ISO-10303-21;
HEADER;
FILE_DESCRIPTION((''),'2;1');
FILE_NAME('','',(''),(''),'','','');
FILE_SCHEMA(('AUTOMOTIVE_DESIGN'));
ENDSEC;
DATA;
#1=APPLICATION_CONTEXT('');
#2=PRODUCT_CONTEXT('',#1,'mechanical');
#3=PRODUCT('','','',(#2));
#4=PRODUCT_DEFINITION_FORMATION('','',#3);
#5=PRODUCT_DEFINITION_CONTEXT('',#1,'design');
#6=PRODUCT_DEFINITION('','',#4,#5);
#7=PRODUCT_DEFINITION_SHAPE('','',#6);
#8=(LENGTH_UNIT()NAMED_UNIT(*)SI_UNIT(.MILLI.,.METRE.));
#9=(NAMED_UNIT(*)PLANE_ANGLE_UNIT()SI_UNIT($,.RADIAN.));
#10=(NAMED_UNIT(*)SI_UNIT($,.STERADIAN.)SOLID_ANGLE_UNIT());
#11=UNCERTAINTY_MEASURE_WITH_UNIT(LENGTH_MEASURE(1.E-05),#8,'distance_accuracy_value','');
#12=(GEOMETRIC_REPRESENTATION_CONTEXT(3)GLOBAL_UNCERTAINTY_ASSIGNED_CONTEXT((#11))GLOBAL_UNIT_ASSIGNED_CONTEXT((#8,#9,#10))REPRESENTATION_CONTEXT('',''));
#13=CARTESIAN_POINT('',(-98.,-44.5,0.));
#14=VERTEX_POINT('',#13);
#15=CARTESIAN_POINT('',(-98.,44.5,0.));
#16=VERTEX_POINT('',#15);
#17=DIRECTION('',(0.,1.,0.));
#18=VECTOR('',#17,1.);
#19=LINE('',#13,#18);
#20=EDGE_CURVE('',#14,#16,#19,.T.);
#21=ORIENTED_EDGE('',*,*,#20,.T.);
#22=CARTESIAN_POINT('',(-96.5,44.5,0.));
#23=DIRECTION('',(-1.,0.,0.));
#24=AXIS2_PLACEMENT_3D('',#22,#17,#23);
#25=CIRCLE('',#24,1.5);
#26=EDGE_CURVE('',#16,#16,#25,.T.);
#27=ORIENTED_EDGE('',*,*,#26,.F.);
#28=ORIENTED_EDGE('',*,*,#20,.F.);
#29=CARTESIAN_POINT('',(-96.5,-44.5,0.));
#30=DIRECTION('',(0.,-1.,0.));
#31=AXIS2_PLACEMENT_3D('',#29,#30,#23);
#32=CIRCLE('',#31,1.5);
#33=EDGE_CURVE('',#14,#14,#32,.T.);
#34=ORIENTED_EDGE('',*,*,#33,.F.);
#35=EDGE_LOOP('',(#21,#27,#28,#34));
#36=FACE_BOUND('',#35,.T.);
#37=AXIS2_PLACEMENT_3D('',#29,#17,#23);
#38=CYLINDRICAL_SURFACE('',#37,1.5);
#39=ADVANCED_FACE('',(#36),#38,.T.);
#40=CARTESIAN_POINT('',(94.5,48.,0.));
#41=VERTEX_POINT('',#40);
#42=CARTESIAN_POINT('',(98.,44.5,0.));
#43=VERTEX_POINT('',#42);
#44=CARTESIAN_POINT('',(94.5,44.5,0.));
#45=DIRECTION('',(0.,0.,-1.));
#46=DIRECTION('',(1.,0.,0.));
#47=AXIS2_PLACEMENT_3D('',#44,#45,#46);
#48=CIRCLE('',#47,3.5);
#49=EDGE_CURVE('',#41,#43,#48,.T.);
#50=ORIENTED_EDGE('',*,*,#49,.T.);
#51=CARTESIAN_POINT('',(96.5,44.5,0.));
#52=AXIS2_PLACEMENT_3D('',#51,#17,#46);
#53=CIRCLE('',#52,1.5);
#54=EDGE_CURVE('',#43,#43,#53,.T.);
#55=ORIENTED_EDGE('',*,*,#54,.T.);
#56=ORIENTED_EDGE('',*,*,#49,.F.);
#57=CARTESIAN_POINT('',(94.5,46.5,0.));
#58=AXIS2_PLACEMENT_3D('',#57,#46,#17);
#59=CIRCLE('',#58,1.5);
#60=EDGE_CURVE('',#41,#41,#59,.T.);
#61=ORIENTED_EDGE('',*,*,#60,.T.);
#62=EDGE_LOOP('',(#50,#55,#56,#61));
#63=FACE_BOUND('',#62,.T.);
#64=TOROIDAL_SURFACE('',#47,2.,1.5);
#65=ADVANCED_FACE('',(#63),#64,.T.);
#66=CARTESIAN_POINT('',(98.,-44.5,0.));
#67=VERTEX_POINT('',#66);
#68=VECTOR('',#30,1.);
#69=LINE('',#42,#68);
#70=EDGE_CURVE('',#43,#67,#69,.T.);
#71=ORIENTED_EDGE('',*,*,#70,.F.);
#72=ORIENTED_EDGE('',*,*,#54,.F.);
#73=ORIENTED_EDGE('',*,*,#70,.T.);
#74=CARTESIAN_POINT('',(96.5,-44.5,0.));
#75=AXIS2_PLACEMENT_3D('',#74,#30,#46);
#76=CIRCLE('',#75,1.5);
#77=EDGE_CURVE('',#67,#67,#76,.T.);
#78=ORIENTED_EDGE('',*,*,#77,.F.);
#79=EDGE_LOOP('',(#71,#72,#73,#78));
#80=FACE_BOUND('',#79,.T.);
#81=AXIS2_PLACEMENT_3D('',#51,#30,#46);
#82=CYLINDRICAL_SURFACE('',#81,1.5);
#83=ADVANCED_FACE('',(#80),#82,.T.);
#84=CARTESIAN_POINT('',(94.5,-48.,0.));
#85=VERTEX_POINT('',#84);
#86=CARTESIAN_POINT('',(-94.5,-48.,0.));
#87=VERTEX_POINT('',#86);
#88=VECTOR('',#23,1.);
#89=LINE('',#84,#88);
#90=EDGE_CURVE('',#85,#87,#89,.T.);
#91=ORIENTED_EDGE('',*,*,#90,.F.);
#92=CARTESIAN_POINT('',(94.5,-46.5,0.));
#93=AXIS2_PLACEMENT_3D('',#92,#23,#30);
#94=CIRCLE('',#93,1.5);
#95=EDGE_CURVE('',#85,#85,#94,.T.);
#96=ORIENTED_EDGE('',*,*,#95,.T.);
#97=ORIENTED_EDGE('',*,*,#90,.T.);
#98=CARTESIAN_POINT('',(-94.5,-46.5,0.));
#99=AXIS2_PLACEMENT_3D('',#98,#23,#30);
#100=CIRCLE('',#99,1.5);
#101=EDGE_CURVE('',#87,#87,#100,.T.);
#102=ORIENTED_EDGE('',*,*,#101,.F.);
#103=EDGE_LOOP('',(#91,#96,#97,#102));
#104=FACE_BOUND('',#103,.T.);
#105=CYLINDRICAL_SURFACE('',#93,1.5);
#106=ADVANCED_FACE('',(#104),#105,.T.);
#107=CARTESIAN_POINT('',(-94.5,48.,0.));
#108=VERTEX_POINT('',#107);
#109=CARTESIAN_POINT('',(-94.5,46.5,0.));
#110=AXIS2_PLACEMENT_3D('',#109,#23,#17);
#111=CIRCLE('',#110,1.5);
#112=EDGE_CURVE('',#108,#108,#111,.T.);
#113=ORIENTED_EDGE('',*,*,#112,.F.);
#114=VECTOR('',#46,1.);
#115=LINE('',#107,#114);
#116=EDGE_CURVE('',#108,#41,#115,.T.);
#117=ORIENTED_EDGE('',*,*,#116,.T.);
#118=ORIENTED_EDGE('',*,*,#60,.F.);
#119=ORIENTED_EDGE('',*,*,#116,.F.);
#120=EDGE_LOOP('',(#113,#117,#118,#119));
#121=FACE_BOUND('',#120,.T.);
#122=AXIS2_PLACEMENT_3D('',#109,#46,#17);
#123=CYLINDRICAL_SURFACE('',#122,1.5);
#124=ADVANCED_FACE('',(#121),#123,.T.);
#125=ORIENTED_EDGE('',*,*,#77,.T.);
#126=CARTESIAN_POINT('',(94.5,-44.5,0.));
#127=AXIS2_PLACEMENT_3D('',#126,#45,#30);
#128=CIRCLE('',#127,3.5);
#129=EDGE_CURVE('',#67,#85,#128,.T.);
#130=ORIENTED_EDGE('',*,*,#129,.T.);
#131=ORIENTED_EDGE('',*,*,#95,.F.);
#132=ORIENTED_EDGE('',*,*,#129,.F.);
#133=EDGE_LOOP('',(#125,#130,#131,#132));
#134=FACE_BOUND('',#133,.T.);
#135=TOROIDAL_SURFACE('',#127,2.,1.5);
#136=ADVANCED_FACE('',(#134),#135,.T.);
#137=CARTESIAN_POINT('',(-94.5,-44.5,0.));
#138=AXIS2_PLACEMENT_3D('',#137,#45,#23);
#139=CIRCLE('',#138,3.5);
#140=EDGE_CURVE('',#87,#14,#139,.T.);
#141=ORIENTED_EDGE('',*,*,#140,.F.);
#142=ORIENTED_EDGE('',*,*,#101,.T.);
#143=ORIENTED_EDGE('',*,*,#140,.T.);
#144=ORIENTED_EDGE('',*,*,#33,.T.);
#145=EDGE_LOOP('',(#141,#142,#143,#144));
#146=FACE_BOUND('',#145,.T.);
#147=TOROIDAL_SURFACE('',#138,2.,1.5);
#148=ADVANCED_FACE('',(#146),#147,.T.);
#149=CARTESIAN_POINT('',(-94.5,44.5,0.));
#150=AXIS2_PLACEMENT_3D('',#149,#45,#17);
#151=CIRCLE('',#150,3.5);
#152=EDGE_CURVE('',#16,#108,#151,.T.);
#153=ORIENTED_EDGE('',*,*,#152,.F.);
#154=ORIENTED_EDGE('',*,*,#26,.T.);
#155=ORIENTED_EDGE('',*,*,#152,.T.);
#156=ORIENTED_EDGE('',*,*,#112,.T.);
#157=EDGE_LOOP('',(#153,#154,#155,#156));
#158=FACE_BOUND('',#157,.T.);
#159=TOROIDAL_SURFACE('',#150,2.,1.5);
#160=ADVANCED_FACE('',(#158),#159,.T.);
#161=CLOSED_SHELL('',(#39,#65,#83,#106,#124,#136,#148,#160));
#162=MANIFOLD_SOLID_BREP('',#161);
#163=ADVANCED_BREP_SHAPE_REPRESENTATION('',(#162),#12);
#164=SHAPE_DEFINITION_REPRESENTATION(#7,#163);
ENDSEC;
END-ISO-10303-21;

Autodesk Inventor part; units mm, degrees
ref_plane "YZ Plane" through (0, 0, 0) normal (1, 0, 0) x (0, 1, 0)
ref_plane "XZ Plane" through (0, 0, 0) normal (0, 1, 0) x (-1, 0, 0)
ref_plane "XY Plane" through (0, 0, 0) normal (0, 0, 1) x (1, 0, 0)
sketch "Sketch2" plane through (0, 0, 0) normal (0, 0, 1) x (1, 0, 0)
  line L0 (94.5, -46.5) -> (-94.5, -46.5)
  line L1 (-96.5, -44.5) -> (-96.5, 44.5)
  line L2 (-94.5, 46.5) -> (94.5, 46.5)
  line L3 (96.5, 44.5) -> (96.5, -44.5)
  line L4 (96.5, -46.5) -> (-96.5, 46.5) construction
  line L5 (-96.5, -46.5) -> (96.5, 46.5) construction
  arc A0 (-94.5, 46.5) -> (-96.5, 44.5) centre (-94.5, 44.5) ccw
  arc A1 (96.5, 44.5) -> (94.5, 46.5) centre (94.5, 44.5) ccw
  arc A2 (94.5, -46.5) -> (96.5, -44.5) centre (94.5, -44.5) ccw
  arc A3 (-96.5, -44.5) -> (-94.5, -46.5) centre (-94.5, -44.5) ccw
  point P0 (0, 0)
  dimension "d0" = 193
  dimension "d1" = 93
  dimension "d2" = 2
sketch "Sketch3" plane through (0, 0, 0) normal (0, 1, 0) x (-1, 0, 0)
  circle A0 centre (96.5, 0) radius 1.5
  point P0 (0, 0)
  dimension "d3" = 3
sweep "Sweep1" add profiles "Sketch3" path "Sketch2"
properties part number "P048_BoitierCouvercleV4_joint"
